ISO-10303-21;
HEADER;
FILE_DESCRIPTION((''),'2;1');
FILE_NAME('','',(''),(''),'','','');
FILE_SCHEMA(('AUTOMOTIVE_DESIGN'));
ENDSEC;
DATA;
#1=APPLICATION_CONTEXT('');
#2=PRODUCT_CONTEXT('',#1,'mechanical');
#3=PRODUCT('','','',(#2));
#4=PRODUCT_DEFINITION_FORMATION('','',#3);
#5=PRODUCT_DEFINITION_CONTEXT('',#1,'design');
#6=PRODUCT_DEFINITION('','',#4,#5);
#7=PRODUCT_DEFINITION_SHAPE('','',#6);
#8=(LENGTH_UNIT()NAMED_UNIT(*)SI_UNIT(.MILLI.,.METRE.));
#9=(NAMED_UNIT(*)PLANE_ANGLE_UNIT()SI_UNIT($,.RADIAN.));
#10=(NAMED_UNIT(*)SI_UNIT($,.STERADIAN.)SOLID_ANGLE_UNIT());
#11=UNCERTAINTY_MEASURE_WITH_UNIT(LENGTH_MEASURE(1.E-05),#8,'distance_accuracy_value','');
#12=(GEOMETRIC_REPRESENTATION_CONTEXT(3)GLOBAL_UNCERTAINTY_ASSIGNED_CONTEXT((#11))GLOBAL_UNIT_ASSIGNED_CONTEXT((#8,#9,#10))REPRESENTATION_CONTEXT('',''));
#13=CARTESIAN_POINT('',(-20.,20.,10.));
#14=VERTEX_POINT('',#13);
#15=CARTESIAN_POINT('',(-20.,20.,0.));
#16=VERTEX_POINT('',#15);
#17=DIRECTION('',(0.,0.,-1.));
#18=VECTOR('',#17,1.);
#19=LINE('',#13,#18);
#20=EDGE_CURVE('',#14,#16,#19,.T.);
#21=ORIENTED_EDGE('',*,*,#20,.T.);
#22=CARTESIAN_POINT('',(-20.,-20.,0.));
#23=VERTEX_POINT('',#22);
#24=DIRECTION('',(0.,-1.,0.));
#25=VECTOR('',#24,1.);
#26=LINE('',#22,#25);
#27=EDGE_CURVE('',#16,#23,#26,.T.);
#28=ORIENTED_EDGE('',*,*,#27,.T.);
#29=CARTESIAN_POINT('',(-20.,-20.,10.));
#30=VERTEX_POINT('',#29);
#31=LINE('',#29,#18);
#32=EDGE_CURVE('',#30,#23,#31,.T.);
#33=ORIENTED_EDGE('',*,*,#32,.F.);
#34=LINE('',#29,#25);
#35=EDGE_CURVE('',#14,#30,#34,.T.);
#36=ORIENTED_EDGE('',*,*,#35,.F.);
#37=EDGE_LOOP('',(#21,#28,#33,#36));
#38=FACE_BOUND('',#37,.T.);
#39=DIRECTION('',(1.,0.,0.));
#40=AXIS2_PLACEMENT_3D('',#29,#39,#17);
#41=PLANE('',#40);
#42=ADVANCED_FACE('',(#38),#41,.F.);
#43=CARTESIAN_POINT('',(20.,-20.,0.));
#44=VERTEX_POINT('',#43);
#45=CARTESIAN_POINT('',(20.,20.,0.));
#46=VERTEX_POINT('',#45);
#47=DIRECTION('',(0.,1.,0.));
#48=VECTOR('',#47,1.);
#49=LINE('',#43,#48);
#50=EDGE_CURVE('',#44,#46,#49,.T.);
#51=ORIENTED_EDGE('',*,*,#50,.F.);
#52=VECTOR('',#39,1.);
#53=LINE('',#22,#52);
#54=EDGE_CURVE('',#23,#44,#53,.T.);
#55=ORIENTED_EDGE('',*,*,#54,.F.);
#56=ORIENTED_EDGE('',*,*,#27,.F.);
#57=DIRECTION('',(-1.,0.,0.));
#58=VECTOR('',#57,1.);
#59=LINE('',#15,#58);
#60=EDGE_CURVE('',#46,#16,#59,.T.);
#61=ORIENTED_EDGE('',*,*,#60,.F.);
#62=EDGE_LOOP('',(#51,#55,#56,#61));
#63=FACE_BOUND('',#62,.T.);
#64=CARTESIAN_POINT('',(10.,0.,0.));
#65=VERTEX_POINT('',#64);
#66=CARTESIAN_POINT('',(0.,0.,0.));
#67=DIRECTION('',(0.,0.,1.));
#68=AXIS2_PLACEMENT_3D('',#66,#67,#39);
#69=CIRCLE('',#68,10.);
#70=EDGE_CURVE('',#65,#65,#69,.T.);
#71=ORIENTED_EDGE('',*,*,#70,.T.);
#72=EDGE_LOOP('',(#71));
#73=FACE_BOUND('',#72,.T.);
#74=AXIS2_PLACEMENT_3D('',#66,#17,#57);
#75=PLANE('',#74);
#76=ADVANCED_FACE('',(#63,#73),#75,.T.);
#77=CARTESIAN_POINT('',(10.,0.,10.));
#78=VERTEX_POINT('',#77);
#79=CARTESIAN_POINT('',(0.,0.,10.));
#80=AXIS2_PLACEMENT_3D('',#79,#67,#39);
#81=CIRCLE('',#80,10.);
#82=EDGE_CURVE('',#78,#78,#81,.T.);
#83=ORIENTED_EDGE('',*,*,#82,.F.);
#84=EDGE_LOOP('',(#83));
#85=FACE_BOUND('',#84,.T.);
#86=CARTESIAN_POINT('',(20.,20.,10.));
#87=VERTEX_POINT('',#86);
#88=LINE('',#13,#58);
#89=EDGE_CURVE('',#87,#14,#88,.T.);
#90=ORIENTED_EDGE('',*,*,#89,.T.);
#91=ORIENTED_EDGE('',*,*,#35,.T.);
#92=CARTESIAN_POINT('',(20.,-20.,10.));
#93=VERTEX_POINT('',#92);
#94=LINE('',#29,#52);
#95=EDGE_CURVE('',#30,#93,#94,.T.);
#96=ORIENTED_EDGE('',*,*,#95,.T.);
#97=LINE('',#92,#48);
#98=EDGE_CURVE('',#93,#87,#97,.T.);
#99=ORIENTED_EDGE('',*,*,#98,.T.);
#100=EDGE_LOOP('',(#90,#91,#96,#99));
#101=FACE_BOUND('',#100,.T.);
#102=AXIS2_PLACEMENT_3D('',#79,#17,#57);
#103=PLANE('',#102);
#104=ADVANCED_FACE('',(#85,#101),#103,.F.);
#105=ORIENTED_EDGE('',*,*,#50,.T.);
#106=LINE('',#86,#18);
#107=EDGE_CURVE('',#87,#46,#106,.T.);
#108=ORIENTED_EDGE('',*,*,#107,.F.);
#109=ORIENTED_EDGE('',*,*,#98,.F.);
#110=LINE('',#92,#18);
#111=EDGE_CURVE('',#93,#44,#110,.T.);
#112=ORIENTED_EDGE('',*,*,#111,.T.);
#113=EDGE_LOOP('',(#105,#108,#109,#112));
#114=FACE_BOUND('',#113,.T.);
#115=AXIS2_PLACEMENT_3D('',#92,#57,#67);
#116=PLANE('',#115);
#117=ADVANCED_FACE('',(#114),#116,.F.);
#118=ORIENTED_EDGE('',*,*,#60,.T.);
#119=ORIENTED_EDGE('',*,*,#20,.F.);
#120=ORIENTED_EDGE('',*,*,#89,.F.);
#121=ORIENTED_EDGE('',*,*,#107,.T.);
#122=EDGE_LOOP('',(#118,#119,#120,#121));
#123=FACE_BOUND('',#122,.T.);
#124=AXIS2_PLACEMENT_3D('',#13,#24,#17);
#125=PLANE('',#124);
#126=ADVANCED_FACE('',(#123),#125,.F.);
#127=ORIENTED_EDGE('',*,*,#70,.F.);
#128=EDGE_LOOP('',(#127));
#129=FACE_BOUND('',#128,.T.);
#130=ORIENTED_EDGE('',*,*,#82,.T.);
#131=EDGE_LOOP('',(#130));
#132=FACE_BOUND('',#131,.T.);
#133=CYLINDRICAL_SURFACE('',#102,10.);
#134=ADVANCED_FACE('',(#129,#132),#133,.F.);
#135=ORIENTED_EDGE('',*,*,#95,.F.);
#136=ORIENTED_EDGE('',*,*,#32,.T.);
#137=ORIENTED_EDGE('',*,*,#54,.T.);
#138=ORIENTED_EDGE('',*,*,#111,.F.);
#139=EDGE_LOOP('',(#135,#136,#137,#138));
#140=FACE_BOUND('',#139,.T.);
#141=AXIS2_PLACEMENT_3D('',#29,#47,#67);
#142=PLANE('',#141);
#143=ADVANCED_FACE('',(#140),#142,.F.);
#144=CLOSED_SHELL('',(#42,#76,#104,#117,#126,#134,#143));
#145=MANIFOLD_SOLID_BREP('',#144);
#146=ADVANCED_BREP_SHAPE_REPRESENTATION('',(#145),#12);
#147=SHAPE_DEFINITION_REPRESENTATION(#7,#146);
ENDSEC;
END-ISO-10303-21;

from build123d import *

# Parameters (mm, degrees)
SKETCH_1_W      = 40
SKETCH_1_H      = 40
SKETCH_1_R      = 10
EXTRUDE_1_DEPTH = 10


with BuildPart() as part:
    # 스케치1 → 보스-돌출1 (new body)
    with BuildSketch(Plane.XY):
        Rectangle(SKETCH_1_W, SKETCH_1_H)
        Circle(SKETCH_1_R, mode=Mode.SUBTRACT)
    extrude(amount=EXTRUDE_1_DEPTH)


solid = part.part
